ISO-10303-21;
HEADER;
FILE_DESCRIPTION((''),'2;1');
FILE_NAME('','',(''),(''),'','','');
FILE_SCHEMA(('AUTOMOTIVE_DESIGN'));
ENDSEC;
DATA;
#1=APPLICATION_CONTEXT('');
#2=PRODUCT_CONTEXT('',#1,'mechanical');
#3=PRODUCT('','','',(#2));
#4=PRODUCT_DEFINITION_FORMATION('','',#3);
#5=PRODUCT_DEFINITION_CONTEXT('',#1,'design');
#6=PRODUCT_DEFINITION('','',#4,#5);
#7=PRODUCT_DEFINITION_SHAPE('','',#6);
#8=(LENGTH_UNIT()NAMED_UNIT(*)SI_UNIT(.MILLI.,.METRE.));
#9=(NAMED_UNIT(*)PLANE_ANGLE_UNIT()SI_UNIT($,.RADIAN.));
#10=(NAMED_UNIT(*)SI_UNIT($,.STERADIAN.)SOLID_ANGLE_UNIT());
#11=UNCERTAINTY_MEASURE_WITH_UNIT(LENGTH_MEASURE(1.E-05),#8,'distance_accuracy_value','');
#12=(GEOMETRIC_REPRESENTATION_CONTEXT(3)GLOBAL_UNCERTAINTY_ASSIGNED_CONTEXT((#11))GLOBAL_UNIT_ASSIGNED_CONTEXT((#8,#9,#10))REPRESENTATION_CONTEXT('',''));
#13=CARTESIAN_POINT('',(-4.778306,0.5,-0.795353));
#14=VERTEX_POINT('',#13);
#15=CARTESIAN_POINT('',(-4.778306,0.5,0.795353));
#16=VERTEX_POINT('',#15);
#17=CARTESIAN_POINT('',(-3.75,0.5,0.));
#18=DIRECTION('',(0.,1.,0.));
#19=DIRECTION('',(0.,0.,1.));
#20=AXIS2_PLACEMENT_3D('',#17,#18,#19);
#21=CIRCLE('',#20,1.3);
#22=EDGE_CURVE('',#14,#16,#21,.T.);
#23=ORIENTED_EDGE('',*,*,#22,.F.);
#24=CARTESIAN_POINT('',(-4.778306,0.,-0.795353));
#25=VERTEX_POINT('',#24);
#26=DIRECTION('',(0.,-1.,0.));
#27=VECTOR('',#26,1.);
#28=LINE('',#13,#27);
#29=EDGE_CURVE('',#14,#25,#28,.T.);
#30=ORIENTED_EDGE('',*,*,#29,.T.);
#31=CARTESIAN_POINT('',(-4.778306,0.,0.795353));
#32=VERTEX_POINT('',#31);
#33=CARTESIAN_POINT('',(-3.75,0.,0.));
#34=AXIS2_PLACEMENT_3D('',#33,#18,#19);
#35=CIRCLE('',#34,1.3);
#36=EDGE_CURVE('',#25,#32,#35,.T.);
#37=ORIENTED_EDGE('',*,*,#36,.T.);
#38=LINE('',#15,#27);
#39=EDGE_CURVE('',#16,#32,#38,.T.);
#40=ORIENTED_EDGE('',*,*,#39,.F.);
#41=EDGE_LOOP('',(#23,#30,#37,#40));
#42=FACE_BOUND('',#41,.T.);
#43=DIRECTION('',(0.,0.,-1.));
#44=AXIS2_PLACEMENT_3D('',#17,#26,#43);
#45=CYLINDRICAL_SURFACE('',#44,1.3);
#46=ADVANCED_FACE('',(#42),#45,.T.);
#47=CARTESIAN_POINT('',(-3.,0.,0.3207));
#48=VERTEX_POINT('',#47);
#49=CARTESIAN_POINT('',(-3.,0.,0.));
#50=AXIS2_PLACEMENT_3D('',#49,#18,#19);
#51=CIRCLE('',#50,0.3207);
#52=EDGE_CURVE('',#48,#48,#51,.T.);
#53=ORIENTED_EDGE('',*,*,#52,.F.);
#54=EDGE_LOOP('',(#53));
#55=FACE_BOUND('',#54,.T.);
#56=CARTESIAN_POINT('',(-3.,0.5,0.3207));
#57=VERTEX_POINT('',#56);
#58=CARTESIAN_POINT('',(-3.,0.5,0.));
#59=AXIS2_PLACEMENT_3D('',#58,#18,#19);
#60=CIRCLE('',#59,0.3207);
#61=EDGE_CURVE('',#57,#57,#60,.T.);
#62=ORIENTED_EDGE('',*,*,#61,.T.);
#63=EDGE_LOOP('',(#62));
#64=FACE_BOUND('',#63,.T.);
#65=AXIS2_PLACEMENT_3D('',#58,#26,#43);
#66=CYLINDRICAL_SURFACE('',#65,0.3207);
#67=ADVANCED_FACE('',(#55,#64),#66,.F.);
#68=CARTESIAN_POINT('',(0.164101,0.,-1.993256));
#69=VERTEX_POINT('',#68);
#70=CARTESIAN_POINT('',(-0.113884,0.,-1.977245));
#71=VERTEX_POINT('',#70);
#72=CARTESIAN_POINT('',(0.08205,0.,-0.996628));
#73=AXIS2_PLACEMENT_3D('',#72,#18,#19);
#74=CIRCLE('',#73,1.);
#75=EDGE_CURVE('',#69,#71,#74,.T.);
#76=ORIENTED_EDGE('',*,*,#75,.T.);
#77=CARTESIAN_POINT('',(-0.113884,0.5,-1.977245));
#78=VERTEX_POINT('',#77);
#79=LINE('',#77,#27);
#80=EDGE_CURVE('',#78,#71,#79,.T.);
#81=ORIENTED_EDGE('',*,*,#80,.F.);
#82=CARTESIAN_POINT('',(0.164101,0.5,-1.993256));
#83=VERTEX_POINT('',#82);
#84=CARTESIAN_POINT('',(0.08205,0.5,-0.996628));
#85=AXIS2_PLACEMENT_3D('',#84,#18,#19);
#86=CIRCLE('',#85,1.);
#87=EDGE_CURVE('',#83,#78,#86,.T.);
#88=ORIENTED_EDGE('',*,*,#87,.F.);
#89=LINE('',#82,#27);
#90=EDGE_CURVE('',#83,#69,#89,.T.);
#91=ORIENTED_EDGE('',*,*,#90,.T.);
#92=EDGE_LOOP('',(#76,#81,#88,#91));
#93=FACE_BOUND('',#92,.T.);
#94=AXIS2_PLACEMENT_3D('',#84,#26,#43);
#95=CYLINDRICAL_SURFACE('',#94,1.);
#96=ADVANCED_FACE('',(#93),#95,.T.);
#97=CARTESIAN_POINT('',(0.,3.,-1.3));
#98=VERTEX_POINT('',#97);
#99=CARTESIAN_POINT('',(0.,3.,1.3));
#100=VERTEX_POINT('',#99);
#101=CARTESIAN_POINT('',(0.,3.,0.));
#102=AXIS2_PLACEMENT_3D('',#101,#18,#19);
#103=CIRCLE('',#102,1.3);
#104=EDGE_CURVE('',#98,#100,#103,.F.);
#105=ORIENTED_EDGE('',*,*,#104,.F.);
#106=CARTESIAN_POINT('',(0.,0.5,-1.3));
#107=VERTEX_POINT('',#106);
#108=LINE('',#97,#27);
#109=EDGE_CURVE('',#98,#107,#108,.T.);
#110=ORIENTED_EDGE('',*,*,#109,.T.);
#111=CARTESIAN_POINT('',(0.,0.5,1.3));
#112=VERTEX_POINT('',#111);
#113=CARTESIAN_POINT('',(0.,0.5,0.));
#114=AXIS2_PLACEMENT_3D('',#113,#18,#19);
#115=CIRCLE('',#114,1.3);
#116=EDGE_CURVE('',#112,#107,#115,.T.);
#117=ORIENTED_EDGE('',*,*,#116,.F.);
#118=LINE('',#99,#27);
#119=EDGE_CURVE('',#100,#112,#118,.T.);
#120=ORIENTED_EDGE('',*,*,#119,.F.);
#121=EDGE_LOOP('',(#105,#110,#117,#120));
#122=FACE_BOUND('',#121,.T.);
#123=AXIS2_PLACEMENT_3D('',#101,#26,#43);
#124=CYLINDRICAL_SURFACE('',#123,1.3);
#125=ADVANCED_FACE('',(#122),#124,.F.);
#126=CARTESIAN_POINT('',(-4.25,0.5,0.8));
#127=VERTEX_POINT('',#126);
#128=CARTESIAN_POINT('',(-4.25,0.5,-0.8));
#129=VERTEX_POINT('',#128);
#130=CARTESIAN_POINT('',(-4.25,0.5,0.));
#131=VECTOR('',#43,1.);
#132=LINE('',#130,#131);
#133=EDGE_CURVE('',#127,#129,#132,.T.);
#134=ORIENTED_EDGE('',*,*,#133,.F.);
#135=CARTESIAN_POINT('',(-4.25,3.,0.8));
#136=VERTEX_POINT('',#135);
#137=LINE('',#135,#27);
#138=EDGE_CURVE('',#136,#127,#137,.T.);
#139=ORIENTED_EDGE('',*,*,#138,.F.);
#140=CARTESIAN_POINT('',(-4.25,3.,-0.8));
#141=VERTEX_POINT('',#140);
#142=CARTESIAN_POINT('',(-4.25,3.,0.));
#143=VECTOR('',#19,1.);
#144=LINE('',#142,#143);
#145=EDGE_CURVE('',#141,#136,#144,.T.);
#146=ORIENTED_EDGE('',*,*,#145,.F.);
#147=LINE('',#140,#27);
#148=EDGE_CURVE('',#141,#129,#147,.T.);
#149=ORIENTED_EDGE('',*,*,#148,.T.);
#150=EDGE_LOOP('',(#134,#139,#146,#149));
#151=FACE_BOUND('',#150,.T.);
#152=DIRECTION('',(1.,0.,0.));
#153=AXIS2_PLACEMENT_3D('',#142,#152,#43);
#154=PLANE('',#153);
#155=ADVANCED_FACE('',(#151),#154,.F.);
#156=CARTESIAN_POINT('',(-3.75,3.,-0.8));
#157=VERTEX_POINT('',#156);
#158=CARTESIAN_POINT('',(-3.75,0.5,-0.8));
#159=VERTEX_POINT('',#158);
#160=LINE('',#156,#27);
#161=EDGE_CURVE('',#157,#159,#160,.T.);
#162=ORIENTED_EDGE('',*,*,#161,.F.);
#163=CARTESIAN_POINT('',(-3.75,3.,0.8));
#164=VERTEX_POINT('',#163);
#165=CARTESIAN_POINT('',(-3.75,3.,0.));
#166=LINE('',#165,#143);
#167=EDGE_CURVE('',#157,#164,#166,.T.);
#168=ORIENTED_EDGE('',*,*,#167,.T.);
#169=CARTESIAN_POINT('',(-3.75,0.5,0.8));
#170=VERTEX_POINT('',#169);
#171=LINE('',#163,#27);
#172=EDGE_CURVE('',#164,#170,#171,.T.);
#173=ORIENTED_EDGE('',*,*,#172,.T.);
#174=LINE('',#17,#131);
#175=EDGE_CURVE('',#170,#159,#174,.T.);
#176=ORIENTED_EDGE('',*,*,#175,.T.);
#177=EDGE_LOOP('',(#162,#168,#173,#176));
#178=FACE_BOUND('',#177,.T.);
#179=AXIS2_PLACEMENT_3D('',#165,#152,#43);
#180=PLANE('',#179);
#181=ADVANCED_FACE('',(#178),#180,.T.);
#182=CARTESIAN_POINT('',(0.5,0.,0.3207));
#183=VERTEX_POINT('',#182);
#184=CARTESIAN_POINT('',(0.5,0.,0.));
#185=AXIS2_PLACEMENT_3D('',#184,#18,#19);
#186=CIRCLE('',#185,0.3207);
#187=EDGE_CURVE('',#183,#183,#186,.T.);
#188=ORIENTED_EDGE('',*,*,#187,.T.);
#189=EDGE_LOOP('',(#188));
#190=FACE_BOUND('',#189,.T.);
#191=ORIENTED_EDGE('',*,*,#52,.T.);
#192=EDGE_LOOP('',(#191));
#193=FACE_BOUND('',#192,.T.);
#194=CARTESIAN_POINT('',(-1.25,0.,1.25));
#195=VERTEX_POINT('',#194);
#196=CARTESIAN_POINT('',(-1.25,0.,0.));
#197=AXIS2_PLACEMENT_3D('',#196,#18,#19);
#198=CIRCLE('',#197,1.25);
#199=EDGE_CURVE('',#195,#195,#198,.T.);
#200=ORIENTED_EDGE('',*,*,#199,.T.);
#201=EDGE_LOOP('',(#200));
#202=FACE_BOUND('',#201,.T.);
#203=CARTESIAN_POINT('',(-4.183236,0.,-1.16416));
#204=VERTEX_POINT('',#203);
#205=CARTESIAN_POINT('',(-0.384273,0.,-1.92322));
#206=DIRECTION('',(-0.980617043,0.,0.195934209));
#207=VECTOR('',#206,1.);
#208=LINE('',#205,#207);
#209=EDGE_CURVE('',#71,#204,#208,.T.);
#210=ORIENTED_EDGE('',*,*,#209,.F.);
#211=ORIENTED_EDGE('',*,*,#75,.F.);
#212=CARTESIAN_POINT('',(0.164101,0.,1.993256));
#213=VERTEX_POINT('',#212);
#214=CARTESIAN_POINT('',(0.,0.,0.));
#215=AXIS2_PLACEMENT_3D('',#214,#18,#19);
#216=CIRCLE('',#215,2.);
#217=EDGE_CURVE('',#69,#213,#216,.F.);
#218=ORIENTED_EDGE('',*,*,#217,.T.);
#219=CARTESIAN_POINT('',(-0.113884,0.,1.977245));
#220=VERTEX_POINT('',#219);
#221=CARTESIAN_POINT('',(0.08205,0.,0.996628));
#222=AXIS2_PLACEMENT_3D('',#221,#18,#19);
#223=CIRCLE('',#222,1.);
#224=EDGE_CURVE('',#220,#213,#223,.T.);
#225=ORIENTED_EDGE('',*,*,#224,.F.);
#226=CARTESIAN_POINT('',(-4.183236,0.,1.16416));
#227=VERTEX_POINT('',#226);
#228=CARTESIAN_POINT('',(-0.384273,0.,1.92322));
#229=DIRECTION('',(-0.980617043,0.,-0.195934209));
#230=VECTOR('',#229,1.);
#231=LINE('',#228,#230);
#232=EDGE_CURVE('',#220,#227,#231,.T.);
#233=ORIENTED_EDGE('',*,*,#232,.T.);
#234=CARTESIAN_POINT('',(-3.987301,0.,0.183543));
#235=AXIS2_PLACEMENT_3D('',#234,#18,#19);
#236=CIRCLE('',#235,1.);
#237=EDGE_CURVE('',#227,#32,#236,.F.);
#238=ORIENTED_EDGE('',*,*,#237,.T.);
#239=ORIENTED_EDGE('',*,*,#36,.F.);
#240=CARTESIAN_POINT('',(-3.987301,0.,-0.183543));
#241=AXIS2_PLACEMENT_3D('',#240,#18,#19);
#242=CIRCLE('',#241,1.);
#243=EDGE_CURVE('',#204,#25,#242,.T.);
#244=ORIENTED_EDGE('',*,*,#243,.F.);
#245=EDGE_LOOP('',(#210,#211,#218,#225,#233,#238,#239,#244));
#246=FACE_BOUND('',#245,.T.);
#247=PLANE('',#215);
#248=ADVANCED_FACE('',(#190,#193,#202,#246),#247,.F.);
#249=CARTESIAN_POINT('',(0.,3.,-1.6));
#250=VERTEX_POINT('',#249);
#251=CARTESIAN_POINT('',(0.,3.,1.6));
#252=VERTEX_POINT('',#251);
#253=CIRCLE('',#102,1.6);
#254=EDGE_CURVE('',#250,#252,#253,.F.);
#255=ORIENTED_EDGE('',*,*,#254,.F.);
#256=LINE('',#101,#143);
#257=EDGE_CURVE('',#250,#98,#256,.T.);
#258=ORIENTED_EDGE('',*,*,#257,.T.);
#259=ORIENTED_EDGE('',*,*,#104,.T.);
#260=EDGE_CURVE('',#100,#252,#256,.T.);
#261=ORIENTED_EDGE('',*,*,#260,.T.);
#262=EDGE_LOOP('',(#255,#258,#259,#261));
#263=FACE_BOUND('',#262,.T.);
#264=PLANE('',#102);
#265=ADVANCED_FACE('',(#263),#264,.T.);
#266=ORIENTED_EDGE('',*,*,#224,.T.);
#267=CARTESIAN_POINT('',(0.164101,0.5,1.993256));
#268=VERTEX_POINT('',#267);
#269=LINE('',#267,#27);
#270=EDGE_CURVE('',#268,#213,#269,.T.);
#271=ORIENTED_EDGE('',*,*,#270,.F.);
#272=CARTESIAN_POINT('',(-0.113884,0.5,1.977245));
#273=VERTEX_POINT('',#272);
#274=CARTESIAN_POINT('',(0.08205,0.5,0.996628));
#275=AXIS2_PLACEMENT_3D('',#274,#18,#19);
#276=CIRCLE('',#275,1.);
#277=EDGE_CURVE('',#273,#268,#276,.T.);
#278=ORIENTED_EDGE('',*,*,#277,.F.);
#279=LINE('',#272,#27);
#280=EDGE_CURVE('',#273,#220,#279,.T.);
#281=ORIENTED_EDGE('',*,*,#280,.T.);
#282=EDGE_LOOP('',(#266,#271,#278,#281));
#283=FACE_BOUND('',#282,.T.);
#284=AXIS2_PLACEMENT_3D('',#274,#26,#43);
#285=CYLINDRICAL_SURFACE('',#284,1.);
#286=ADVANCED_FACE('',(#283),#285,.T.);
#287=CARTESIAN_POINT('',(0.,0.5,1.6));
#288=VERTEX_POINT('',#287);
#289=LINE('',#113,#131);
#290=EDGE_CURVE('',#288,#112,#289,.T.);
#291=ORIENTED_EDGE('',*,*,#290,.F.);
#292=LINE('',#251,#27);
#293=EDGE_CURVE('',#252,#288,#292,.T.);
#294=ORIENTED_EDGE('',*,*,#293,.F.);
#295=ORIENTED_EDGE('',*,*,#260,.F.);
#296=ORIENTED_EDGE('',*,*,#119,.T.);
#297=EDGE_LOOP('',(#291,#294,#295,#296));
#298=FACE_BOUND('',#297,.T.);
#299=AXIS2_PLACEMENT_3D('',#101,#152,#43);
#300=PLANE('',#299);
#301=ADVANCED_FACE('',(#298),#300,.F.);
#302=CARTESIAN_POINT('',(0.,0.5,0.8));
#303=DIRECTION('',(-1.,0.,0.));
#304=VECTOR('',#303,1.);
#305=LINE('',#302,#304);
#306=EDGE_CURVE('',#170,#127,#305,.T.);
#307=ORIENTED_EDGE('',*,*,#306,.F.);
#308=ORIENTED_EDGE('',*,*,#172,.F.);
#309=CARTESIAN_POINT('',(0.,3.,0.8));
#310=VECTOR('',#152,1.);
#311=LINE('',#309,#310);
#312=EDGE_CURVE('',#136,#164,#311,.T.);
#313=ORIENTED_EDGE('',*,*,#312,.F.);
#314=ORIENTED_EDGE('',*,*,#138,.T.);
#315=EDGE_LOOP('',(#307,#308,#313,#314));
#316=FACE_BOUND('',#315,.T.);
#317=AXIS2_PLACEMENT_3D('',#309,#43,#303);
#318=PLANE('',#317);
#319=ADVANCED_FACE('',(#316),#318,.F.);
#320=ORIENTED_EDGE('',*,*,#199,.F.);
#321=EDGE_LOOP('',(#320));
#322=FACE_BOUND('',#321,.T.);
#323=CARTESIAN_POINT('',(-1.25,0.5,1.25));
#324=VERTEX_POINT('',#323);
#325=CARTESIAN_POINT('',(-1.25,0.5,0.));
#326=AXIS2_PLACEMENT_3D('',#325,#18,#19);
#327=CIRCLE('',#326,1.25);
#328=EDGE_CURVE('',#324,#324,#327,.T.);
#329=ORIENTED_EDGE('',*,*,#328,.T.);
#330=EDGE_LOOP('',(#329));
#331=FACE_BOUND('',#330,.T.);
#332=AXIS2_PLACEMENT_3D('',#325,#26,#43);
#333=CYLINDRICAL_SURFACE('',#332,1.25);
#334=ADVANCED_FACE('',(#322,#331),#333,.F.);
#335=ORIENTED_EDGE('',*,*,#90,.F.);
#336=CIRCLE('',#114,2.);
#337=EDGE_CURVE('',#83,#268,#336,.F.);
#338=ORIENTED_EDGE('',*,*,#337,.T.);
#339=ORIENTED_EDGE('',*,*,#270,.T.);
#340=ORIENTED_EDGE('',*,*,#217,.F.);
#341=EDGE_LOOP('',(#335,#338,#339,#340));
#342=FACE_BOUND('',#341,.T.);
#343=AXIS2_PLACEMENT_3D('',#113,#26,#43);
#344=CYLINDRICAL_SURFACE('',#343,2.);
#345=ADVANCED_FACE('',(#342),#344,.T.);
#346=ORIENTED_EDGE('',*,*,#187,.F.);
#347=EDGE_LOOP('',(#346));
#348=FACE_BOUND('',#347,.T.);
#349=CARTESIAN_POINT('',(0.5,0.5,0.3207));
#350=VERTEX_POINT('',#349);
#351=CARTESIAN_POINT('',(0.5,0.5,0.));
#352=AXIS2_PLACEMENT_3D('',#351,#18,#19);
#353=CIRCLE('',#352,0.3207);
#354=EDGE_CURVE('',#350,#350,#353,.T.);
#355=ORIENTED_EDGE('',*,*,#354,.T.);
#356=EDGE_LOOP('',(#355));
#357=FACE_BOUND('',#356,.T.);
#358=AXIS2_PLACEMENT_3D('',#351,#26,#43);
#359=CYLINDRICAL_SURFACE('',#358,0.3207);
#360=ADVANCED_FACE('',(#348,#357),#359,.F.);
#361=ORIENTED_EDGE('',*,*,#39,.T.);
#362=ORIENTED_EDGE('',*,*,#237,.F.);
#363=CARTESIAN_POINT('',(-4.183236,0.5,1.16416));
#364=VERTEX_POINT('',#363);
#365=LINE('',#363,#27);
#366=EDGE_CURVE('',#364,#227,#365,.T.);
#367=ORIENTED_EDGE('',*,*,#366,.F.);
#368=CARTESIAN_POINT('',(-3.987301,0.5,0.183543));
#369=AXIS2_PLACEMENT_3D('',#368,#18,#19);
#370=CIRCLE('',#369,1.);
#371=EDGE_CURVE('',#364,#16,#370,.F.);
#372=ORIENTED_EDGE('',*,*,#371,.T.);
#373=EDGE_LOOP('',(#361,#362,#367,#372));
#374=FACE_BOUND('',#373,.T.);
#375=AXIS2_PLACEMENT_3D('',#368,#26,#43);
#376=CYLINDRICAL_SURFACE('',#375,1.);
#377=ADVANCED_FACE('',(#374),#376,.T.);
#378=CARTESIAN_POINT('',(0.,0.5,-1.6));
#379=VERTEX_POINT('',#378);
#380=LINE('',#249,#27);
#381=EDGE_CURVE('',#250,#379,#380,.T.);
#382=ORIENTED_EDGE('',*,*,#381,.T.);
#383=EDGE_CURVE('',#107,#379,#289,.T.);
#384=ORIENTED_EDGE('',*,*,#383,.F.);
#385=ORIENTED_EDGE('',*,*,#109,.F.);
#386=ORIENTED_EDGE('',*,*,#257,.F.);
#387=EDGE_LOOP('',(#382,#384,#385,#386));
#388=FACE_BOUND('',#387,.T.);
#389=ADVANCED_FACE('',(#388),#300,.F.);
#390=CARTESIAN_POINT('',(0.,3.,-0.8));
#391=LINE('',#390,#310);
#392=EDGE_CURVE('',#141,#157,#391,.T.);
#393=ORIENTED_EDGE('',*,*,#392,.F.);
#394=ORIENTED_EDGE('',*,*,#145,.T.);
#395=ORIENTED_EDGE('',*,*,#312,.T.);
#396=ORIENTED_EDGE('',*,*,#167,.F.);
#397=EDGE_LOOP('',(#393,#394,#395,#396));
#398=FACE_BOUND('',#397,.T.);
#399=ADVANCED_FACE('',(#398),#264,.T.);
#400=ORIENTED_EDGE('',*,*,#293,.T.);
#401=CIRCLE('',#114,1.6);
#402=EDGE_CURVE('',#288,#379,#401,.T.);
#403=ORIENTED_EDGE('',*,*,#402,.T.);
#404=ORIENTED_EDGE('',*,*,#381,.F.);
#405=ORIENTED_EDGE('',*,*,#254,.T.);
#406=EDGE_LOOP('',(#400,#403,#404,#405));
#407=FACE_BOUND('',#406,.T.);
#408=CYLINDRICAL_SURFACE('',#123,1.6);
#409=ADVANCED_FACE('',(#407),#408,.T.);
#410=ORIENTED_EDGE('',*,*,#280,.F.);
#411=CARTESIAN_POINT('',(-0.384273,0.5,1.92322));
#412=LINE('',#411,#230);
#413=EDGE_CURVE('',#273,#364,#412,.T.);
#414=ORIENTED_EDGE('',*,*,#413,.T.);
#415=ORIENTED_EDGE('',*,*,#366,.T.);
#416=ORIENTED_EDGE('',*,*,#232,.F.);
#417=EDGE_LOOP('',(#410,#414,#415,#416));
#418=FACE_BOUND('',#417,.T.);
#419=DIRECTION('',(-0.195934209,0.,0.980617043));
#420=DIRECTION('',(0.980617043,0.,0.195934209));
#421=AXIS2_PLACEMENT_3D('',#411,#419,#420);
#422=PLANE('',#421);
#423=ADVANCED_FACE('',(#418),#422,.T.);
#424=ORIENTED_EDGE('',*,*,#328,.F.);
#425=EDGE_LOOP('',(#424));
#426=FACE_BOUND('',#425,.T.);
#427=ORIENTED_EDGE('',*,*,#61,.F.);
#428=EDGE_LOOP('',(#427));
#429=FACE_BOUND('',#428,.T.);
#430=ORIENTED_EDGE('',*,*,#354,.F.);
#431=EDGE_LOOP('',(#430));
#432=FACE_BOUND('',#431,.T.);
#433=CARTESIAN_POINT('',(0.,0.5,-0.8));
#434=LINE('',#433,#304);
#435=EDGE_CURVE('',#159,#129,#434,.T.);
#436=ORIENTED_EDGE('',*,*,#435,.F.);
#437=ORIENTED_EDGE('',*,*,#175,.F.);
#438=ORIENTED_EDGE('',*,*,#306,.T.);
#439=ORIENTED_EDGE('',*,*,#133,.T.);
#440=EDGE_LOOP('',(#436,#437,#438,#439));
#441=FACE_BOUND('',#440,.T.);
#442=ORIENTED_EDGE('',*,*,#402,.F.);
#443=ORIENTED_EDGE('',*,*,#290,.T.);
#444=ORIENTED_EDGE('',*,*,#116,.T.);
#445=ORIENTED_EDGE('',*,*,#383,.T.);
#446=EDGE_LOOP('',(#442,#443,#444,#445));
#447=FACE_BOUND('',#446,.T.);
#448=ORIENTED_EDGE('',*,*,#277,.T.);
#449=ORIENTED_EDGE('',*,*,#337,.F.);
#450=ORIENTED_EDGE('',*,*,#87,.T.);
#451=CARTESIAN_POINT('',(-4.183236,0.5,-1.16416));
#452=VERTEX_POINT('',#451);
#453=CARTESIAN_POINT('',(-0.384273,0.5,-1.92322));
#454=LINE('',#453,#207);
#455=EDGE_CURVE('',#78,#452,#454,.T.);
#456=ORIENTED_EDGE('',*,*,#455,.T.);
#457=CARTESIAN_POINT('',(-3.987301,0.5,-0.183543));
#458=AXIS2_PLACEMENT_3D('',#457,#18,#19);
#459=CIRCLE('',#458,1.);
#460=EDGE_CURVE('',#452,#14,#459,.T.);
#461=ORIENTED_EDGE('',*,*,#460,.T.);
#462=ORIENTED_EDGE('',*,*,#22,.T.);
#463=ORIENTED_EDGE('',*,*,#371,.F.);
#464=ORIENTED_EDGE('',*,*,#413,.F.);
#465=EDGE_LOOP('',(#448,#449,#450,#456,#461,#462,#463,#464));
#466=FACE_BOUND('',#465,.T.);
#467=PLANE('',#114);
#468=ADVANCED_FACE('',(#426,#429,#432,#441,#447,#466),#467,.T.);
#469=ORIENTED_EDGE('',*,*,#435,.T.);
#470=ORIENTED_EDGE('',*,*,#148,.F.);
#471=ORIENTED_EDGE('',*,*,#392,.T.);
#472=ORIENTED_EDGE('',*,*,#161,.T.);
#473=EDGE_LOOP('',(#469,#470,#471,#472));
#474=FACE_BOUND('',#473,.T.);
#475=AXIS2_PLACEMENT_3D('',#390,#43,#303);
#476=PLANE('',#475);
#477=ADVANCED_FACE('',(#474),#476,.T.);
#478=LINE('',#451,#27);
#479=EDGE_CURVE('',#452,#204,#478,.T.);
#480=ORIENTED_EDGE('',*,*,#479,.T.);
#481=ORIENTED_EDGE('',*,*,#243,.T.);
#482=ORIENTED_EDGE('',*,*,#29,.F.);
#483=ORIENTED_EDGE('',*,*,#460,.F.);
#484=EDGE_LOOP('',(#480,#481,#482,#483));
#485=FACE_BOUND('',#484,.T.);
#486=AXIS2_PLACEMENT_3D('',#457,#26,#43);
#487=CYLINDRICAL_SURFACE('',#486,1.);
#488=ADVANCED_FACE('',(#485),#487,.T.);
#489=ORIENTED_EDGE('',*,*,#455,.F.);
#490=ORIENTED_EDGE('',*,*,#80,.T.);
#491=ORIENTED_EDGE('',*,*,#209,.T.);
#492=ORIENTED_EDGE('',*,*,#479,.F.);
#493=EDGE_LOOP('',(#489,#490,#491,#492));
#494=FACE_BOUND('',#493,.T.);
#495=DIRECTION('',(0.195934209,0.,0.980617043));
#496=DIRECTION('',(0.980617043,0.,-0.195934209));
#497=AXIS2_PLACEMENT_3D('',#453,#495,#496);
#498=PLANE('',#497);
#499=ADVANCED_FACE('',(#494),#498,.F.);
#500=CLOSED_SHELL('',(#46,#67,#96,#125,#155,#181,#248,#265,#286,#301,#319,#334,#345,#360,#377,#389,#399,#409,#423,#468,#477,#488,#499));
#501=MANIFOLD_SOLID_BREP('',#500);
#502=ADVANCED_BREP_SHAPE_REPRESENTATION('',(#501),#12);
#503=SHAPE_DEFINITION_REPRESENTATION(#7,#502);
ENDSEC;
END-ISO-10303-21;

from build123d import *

# Parameters (mm, degrees)
SKETCH1_R           = 1.25
SKETCH1_R_2         = 0.3207
BOSS_EXTRUDE1_DEPTH = 0.5
SKETCH1_24_W        = 0.5
SKETCH1_24_H        = 1.6
BOSS_EXTRUDE2_DEPTH = 3


with BuildPart() as part:
    # Sketch1 → Boss-Extrude1 (new body)
    with BuildSketch(Plane(origin=(0, 0, 0), x_dir=(1, 0, 0), z_dir=(0, 1, 0))):
        with BuildLine():
            ThreePointArc((0.1641009, 1.993256355), (0.024548565, 1.994973575), (-0.113883759, 1.977245221))
            Line((-0.113883759, 1.977245221), (-4.183235691, 1.164159973))
            ThreePointArc((-4.183235691, 1.164159973), (-4.514100231, 1.033532975), (-4.77830642, 0.795352694))
            ThreePointArc((-4.77830642, 0.795352694), (-5.05, 0), (-4.77830642, -0.795352694))
            ThreePointArc((-4.77830642, -0.795352694), (-4.514100231, -1.033532975), (-4.183235691, -1.164159973))
            Line((-4.183235691, -1.164159973), (-0.11388376, -1.977245221))
            ThreePointArc((-0.11388376, -1.977245221), (0.024548564, -1.994973575), (0.164100898, -1.993256355))
            ThreePointArc((0.164100898, -1.993256355), (2, -1e-09), (0.1641009, 1.993256355))
        make_face()
        with Locations((-1.25, 0)):
            Circle(SKETCH1_R, mode=Mode.SUBTRACT)
        with Locations((0.5, 0)):
            Circle(SKETCH1_R_2, mode=Mode.SUBTRACT)
        with Locations((-3, 0)):
            Circle(SKETCH1_R_2, mode=Mode.SUBTRACT)
    extrude(amount=BOSS_EXTRUDE1_DEPTH)

    # Sketch1<24> → Boss-Extrude2 (add)
    with BuildSketch(Plane(origin=(0, 0, 0), x_dir=(1, 0, 0), z_dir=(0, 1, 0))):
        with BuildLine():
            ThreePointArc((0, -1.6), (1.6, 0), (0, 1.6))
            Line((0, 1.6), (0, 1.3))
            ThreePointArc((0, 1.3), (1.3, 0), (0, -1.3))
            Line((0, -1.3), (0, -1.6))
        make_face()
        with Locations((-4, 0)):
            Rectangle(SKETCH1_24_W, SKETCH1_24_H)
    extrude(amount=BOSS_EXTRUDE2_DEPTH)


solid = part.part
